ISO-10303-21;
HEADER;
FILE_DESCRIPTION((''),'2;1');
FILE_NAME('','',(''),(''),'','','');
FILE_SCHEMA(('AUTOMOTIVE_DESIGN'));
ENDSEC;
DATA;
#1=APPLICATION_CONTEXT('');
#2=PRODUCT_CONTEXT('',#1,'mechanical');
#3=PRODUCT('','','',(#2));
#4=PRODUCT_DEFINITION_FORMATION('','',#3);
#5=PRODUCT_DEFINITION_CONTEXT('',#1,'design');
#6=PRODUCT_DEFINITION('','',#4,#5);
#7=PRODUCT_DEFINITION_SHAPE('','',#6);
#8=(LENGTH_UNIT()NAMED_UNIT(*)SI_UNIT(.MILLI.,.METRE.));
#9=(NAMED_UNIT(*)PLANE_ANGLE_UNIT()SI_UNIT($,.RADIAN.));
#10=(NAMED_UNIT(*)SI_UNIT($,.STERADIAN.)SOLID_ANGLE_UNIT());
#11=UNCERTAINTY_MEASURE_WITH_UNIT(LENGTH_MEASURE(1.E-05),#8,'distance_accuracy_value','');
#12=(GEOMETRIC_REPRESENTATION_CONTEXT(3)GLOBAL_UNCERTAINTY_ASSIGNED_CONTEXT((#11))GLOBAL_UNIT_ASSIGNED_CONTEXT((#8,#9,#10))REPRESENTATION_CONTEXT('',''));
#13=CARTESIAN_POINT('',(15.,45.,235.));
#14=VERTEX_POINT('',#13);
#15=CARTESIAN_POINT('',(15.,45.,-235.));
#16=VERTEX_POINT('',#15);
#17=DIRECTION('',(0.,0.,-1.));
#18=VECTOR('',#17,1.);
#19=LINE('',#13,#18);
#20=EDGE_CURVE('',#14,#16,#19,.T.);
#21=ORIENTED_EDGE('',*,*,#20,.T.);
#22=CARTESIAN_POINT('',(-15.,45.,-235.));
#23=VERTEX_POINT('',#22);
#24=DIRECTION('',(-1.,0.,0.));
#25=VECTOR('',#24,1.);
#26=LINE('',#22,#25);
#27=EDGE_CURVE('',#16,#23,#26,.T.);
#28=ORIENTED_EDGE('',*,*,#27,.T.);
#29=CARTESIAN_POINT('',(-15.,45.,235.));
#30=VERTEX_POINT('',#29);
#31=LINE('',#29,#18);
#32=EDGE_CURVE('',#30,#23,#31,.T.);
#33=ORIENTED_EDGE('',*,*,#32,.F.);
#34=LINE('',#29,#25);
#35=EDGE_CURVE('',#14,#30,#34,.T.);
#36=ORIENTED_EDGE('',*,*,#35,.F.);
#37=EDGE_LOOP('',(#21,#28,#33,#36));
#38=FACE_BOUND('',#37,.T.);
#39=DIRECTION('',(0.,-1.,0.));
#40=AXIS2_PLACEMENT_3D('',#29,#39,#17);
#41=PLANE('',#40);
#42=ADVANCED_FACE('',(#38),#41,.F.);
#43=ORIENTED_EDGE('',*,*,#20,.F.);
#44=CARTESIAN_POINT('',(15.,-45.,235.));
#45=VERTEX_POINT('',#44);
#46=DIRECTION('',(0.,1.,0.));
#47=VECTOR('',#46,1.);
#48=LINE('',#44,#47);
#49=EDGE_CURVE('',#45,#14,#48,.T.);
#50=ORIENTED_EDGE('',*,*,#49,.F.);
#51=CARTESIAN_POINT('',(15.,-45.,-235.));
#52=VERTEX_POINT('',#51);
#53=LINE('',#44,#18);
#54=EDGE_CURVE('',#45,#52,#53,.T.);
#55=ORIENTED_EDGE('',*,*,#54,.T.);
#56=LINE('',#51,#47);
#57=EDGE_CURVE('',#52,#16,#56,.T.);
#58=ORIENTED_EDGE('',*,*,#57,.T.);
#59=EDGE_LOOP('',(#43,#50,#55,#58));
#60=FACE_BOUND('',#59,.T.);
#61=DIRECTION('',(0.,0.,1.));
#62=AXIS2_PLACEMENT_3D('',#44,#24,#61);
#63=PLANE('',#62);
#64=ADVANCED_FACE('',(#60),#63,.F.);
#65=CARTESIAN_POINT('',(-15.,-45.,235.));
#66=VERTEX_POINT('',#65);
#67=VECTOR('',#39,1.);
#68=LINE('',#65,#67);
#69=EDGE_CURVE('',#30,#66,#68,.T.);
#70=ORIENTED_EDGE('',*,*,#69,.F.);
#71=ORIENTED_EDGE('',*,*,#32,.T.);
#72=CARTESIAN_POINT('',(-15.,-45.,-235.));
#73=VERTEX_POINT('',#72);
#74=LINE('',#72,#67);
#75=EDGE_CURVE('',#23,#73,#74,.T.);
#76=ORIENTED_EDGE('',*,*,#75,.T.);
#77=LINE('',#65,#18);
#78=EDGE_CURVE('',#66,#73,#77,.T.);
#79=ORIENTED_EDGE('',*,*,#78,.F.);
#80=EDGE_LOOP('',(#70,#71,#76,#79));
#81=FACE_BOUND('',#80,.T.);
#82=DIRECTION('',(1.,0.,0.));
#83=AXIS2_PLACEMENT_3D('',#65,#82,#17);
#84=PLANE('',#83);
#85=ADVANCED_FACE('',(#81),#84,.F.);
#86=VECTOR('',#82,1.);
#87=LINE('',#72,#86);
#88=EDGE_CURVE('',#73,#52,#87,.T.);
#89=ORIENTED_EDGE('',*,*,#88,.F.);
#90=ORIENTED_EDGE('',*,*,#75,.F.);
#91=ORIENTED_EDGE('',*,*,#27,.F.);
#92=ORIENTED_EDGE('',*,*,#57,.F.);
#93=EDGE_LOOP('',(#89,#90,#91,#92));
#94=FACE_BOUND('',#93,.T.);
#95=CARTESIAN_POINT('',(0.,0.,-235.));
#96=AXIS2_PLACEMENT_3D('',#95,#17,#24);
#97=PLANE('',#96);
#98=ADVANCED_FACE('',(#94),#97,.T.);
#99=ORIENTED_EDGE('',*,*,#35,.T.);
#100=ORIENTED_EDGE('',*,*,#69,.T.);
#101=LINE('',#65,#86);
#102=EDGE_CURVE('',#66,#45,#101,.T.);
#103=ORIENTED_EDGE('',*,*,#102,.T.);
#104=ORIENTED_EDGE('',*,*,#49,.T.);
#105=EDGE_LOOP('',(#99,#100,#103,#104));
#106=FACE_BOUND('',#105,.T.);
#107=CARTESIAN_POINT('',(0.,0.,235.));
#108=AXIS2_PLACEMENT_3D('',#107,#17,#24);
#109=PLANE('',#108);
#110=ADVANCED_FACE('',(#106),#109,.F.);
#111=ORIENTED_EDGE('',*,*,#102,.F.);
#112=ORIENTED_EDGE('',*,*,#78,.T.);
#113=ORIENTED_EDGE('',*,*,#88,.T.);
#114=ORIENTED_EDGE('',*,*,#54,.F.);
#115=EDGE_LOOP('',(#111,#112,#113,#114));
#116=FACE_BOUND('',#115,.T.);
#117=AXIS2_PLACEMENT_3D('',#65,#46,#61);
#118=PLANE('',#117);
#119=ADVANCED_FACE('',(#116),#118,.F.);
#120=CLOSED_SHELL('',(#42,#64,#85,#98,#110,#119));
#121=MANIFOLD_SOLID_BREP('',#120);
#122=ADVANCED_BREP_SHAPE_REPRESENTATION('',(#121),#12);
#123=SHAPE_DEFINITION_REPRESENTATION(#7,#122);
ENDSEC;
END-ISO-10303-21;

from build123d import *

# Parameters (mm, degrees)
SKETCH1_W           = 30
SKETCH1_H           = 90
BOSS_EXTRUDE1_DEPTH = 235


with BuildPart() as part:
    # Sketch1 → Boss-Extrude1 (new body, symmetric)
    with BuildSketch(Plane.XY):
        Rectangle(SKETCH1_W, SKETCH1_H)
    extrude(amount=BOSS_EXTRUDE1_DEPTH, both=True)


solid = part.part
